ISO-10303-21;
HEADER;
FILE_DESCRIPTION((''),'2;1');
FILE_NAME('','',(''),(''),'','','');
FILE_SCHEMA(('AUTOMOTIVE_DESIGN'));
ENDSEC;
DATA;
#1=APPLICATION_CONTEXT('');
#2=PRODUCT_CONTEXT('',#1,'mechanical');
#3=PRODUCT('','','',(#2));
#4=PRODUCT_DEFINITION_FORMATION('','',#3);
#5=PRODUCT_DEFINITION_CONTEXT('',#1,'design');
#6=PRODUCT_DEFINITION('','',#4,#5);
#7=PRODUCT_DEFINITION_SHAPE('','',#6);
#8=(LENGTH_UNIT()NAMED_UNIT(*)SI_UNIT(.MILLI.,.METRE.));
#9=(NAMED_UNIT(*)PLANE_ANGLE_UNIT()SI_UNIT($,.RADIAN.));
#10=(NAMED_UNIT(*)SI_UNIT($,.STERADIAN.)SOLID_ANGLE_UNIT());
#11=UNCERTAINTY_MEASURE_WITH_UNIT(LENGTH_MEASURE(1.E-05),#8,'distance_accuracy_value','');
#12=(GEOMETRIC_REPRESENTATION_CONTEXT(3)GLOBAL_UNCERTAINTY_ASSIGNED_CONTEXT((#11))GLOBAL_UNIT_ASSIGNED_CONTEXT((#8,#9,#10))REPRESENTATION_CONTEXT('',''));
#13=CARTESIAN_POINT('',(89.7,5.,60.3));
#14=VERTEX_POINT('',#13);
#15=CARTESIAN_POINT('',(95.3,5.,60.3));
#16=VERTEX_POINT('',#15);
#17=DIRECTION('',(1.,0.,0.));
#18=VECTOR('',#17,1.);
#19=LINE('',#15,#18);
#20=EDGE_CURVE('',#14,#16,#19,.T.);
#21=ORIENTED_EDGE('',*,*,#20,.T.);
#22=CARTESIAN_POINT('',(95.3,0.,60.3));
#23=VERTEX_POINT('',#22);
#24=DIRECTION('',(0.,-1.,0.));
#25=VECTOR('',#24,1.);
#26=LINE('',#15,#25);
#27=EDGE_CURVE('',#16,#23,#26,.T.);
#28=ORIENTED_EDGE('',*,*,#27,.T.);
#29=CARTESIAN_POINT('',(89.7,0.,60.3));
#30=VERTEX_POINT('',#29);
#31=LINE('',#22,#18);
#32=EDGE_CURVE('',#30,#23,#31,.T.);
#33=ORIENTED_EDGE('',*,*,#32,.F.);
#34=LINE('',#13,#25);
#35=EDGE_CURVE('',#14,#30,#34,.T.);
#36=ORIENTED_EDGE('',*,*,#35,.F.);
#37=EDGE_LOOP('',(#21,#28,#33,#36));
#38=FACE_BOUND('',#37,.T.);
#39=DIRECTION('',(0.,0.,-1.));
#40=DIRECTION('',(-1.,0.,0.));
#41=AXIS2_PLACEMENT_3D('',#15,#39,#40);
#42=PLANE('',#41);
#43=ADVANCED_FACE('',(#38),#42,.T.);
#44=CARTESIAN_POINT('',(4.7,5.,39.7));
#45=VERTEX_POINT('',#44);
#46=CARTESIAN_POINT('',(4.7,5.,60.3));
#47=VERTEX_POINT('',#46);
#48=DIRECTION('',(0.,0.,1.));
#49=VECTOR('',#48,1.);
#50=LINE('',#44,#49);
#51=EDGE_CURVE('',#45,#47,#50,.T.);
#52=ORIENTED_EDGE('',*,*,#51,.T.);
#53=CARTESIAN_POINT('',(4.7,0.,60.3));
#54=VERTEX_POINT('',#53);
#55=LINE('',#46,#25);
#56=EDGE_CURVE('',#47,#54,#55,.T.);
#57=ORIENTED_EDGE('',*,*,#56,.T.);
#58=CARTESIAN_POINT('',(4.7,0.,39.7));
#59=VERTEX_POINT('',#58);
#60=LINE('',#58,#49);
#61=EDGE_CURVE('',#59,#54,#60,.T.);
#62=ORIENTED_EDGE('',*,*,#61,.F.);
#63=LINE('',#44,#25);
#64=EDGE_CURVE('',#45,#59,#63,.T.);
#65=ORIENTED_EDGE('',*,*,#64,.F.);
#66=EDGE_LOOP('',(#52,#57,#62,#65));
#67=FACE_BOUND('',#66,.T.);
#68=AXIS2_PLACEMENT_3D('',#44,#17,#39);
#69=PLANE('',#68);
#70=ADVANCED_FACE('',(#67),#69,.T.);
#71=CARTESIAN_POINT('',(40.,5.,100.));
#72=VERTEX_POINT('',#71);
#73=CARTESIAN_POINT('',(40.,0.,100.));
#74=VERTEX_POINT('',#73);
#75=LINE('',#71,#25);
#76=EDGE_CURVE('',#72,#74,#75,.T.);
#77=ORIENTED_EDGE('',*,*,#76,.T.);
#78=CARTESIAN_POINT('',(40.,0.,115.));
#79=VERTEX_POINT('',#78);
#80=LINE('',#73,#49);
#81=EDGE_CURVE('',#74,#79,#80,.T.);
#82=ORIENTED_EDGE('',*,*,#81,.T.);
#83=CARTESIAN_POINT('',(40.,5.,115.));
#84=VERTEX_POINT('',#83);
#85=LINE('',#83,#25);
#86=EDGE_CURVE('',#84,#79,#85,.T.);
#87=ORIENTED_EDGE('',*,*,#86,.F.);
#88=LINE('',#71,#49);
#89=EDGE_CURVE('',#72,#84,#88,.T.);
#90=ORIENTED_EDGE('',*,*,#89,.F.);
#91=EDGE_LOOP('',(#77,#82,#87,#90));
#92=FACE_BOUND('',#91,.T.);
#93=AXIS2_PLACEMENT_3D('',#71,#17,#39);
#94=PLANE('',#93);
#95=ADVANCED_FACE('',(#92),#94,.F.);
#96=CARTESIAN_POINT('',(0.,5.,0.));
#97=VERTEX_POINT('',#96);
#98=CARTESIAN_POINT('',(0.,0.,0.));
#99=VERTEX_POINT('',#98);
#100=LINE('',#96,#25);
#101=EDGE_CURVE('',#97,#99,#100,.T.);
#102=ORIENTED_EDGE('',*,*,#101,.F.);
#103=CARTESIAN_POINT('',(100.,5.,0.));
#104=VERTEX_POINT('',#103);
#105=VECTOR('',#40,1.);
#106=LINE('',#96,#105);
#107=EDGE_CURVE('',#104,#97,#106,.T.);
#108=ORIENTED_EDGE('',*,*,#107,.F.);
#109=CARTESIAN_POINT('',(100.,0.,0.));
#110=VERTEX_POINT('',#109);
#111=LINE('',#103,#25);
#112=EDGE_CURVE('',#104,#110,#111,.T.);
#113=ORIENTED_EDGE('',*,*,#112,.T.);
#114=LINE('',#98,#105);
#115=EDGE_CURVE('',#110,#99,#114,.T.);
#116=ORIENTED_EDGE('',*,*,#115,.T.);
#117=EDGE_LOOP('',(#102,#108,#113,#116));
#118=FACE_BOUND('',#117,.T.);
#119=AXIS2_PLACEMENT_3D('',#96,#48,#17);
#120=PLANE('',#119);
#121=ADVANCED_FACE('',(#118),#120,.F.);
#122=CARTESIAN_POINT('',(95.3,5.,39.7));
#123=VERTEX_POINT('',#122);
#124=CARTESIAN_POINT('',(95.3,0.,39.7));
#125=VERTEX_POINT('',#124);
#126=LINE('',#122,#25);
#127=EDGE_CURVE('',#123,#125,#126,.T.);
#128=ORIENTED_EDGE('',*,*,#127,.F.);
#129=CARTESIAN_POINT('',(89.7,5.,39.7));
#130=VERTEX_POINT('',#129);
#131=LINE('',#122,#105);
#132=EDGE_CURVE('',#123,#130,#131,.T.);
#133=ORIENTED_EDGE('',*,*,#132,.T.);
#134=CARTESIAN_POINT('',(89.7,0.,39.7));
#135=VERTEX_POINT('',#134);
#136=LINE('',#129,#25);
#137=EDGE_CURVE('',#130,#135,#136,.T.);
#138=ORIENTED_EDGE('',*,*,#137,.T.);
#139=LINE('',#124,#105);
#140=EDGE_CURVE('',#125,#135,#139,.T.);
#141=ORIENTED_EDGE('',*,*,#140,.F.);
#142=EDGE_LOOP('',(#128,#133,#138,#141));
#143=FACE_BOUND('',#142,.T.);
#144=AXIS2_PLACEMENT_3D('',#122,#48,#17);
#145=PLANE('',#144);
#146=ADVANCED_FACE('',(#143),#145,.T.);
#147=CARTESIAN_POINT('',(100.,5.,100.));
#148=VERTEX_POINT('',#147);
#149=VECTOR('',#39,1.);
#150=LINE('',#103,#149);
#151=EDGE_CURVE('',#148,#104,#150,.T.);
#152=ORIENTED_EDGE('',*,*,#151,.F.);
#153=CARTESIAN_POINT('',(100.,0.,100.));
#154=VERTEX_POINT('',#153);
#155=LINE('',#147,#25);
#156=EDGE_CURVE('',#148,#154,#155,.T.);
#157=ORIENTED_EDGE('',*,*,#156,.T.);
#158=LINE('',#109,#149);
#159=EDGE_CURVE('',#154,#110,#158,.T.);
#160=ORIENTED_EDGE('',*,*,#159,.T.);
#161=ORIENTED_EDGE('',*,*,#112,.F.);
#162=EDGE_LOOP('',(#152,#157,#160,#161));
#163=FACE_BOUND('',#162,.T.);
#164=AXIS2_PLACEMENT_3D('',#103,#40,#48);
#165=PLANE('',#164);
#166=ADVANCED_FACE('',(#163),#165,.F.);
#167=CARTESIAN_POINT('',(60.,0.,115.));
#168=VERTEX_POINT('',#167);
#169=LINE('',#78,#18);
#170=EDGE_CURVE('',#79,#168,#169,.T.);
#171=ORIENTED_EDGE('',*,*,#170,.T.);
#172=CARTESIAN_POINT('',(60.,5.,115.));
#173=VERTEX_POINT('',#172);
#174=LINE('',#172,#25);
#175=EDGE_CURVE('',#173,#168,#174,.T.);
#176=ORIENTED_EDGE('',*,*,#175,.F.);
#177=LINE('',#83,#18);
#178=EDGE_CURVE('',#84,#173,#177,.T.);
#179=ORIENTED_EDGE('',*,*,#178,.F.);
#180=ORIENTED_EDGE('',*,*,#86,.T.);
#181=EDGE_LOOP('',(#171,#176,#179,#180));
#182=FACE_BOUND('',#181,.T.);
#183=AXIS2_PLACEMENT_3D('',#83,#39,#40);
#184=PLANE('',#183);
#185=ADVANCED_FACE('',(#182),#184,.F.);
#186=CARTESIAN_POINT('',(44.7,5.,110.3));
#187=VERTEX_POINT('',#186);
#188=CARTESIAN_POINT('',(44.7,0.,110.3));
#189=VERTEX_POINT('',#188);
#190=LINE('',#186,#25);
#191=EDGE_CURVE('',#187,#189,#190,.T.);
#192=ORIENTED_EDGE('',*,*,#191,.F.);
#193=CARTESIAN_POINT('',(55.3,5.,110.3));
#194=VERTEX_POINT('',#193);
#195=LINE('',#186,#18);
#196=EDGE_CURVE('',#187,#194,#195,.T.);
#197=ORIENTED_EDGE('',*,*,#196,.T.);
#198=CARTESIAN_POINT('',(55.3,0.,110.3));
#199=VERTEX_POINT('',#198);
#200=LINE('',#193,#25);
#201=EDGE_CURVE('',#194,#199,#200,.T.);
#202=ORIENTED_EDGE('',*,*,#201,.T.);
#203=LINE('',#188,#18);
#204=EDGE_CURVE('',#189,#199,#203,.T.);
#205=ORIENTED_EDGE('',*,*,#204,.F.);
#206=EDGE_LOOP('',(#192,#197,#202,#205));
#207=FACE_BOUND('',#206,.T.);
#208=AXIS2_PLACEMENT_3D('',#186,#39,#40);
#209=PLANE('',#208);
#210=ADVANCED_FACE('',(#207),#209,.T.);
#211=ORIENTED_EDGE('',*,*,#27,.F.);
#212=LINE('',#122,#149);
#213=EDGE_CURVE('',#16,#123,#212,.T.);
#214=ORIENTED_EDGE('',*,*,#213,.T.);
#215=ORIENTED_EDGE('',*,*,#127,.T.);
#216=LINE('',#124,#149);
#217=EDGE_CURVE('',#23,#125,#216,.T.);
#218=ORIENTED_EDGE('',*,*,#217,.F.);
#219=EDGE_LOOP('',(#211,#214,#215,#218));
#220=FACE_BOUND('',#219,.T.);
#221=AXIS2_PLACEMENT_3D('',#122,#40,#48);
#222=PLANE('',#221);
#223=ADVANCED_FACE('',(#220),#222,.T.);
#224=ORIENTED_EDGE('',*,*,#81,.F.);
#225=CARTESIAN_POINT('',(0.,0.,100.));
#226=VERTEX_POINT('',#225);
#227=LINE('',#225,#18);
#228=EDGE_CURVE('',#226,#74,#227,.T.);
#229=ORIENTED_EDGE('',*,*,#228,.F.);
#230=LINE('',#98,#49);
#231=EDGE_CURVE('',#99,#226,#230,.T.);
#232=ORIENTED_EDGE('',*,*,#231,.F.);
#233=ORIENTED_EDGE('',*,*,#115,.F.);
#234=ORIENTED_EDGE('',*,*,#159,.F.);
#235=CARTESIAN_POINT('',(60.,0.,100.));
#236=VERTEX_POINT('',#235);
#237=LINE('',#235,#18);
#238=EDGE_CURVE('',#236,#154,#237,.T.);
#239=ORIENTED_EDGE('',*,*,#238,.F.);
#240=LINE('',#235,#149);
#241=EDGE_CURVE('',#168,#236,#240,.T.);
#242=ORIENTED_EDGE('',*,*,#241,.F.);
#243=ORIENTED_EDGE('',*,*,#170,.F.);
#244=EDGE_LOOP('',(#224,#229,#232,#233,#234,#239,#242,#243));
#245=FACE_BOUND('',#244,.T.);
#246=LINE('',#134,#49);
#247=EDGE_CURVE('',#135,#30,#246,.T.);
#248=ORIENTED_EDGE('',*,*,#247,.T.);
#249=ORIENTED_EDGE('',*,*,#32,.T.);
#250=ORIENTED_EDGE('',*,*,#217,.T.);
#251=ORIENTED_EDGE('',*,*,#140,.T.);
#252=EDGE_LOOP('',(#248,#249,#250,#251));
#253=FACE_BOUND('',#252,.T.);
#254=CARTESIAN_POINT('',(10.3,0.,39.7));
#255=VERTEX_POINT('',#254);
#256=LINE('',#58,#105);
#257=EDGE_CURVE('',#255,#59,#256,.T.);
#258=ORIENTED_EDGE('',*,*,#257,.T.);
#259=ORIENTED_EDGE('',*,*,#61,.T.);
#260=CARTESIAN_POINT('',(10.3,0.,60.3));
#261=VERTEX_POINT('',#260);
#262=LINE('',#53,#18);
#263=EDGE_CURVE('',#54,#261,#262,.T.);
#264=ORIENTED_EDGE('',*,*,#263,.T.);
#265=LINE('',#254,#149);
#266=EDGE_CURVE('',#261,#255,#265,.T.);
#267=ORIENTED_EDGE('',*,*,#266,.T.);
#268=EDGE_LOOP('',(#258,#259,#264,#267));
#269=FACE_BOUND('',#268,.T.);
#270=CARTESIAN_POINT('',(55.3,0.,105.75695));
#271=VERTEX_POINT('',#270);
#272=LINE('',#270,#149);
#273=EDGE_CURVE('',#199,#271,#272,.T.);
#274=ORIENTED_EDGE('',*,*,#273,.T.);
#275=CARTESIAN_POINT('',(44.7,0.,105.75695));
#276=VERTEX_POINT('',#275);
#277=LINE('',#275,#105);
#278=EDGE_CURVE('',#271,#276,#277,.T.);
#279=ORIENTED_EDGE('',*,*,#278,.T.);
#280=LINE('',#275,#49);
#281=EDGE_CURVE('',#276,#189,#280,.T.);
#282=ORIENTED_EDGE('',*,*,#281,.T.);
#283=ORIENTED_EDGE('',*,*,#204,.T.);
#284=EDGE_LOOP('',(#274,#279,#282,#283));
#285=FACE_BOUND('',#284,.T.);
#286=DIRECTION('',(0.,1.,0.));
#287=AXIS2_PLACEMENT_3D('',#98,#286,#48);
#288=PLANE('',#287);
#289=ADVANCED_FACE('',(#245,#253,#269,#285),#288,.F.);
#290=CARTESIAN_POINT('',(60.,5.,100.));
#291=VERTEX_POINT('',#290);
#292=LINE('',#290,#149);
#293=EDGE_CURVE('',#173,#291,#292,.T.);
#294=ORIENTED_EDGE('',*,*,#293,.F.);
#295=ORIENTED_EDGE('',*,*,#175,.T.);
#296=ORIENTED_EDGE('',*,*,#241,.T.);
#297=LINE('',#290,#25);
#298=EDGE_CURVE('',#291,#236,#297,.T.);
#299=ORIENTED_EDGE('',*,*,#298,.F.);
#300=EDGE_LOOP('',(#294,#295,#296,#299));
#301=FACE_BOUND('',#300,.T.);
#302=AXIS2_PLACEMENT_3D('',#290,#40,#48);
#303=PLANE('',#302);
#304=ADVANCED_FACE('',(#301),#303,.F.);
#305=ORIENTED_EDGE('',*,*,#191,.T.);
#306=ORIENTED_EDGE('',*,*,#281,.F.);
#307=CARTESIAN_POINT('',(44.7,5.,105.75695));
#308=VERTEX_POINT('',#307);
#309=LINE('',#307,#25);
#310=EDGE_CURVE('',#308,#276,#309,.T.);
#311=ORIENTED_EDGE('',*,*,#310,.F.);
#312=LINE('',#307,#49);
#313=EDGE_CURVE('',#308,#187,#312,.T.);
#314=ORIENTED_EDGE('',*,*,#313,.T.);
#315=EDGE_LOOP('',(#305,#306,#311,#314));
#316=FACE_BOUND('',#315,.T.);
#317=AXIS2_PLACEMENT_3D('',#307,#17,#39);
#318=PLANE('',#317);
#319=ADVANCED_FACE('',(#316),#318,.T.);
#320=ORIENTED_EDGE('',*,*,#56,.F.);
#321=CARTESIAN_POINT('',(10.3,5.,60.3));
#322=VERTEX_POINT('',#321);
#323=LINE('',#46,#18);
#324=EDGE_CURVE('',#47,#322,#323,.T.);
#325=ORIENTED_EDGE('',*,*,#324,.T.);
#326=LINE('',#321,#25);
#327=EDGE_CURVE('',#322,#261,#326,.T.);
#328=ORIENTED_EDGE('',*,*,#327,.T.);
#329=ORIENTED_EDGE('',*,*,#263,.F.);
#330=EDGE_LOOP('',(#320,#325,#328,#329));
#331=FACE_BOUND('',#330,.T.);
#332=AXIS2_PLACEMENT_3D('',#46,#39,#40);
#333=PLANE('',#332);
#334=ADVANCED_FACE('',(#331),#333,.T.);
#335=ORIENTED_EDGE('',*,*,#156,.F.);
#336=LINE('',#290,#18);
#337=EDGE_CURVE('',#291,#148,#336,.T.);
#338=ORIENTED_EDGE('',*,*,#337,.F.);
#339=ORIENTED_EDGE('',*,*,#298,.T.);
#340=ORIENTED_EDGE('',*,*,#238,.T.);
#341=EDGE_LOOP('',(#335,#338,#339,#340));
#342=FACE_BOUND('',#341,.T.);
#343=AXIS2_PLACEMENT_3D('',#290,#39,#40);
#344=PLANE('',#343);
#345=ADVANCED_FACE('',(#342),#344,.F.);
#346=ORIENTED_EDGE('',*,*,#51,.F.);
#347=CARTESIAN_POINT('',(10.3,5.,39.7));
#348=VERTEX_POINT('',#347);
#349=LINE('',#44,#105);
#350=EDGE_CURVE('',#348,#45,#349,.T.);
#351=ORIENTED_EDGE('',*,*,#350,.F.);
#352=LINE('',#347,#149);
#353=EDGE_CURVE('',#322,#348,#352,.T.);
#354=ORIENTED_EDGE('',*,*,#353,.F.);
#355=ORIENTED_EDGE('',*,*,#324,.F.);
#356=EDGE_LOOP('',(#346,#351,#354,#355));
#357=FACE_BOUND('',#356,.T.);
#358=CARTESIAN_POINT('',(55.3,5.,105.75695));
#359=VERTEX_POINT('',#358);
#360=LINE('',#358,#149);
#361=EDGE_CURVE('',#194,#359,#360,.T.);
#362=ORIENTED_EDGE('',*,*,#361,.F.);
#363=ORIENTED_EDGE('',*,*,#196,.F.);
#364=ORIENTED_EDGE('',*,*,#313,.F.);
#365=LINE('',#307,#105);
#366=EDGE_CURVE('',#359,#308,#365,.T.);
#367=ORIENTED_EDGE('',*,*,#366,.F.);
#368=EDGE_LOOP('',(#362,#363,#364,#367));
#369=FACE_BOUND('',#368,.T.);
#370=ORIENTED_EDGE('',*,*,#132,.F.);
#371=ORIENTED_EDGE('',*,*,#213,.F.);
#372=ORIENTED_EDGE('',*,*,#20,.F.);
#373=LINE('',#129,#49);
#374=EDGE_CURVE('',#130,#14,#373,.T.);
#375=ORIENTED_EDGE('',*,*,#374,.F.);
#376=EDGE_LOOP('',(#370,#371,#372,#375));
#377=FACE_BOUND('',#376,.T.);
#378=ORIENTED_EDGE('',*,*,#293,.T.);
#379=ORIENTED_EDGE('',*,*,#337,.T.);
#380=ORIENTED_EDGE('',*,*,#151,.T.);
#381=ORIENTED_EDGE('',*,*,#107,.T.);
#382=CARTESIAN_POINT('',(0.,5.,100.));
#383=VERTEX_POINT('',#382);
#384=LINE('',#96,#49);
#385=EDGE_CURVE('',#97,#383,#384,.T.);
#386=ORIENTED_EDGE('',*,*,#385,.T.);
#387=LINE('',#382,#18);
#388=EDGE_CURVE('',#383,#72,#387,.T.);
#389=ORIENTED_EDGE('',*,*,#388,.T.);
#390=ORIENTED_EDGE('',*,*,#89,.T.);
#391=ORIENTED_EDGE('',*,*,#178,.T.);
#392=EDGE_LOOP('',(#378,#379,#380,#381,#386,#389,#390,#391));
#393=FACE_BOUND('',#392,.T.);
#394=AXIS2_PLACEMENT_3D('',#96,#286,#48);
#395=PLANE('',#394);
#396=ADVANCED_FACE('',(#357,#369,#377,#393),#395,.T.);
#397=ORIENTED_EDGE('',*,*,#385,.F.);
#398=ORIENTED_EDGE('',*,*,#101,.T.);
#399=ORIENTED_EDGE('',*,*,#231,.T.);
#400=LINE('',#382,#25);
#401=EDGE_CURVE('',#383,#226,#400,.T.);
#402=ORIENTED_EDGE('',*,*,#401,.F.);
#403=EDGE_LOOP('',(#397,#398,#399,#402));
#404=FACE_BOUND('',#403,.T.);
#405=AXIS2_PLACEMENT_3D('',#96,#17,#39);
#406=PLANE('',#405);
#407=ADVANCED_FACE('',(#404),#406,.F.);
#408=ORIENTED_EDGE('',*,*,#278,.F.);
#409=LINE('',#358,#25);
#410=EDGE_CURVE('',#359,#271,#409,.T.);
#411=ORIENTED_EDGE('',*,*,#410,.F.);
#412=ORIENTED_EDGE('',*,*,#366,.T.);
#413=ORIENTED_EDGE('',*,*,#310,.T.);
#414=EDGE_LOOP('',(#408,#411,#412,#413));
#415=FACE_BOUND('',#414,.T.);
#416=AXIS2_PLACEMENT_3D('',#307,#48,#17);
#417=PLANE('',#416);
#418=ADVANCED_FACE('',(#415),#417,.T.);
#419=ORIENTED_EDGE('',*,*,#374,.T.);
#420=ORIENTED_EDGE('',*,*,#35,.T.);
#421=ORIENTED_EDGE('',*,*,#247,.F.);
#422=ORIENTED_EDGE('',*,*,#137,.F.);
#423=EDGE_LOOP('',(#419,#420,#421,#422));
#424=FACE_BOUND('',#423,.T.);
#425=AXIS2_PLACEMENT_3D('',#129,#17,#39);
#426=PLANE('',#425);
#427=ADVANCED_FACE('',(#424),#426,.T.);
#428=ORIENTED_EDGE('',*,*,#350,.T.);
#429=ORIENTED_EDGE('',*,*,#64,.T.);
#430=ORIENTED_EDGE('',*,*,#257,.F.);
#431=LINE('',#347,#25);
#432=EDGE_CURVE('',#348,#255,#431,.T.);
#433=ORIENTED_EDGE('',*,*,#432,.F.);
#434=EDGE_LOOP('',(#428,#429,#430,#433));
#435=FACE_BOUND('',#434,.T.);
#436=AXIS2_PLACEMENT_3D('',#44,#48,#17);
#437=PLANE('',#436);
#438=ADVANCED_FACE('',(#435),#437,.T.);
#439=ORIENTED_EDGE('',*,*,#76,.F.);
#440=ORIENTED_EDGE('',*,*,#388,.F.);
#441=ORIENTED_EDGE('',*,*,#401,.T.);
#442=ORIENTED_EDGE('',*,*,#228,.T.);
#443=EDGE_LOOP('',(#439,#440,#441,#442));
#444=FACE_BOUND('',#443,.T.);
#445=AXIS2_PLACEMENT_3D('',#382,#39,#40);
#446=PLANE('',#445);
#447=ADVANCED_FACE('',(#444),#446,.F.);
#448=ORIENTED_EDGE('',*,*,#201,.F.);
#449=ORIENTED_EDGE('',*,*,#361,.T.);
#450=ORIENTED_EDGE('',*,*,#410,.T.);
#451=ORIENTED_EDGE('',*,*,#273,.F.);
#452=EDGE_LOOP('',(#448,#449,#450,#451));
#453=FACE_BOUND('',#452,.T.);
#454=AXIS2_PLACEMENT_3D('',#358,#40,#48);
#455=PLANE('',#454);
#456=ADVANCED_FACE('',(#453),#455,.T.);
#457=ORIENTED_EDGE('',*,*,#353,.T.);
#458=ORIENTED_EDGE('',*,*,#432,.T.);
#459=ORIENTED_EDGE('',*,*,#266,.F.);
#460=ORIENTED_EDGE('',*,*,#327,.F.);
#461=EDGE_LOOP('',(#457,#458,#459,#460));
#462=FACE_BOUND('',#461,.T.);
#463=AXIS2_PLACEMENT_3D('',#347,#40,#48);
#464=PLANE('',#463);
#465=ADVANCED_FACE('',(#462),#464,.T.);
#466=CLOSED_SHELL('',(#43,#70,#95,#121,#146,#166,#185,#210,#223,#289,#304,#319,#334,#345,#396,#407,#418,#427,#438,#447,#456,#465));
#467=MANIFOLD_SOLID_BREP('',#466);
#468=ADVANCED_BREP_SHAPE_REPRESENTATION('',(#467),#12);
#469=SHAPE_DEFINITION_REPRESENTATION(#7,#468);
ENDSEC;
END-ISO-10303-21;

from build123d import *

# Parameters (mm, degrees)
SKETCH1_W           = 5.6
SKETCH1_H           = 20.6
SKETCH1_W_2         = 10.6
SKETCH1_H_2         = 4.543049558
BOSS_EXTRUDE1_DEPTH = 5


with BuildPart() as part:
    # Sketch1 → Boss-Extrude1 (new body)
    with BuildSketch(Plane(origin=(0, 0, 0), x_dir=(1, 0, 0), z_dir=(0, 1, 0))):
        Polygon((0, 0), (100, 0), (100, -100), (60, -100), (60, -115), (40, -115), (40, -100), (0, -100), align=None)
        with Locations((7.5, -50)):
            Rectangle(SKETCH1_W, SKETCH1_H, mode=Mode.SUBTRACT)
        with Locations((92.5, -50)):
            Rectangle(SKETCH1_W, SKETCH1_H, mode=Mode.SUBTRACT)
        with Locations((50, -108.028475221)):
            Rectangle(SKETCH1_W_2, SKETCH1_H_2, mode=Mode.SUBTRACT)
    extrude(amount=BOSS_EXTRUDE1_DEPTH)


solid = part.part
